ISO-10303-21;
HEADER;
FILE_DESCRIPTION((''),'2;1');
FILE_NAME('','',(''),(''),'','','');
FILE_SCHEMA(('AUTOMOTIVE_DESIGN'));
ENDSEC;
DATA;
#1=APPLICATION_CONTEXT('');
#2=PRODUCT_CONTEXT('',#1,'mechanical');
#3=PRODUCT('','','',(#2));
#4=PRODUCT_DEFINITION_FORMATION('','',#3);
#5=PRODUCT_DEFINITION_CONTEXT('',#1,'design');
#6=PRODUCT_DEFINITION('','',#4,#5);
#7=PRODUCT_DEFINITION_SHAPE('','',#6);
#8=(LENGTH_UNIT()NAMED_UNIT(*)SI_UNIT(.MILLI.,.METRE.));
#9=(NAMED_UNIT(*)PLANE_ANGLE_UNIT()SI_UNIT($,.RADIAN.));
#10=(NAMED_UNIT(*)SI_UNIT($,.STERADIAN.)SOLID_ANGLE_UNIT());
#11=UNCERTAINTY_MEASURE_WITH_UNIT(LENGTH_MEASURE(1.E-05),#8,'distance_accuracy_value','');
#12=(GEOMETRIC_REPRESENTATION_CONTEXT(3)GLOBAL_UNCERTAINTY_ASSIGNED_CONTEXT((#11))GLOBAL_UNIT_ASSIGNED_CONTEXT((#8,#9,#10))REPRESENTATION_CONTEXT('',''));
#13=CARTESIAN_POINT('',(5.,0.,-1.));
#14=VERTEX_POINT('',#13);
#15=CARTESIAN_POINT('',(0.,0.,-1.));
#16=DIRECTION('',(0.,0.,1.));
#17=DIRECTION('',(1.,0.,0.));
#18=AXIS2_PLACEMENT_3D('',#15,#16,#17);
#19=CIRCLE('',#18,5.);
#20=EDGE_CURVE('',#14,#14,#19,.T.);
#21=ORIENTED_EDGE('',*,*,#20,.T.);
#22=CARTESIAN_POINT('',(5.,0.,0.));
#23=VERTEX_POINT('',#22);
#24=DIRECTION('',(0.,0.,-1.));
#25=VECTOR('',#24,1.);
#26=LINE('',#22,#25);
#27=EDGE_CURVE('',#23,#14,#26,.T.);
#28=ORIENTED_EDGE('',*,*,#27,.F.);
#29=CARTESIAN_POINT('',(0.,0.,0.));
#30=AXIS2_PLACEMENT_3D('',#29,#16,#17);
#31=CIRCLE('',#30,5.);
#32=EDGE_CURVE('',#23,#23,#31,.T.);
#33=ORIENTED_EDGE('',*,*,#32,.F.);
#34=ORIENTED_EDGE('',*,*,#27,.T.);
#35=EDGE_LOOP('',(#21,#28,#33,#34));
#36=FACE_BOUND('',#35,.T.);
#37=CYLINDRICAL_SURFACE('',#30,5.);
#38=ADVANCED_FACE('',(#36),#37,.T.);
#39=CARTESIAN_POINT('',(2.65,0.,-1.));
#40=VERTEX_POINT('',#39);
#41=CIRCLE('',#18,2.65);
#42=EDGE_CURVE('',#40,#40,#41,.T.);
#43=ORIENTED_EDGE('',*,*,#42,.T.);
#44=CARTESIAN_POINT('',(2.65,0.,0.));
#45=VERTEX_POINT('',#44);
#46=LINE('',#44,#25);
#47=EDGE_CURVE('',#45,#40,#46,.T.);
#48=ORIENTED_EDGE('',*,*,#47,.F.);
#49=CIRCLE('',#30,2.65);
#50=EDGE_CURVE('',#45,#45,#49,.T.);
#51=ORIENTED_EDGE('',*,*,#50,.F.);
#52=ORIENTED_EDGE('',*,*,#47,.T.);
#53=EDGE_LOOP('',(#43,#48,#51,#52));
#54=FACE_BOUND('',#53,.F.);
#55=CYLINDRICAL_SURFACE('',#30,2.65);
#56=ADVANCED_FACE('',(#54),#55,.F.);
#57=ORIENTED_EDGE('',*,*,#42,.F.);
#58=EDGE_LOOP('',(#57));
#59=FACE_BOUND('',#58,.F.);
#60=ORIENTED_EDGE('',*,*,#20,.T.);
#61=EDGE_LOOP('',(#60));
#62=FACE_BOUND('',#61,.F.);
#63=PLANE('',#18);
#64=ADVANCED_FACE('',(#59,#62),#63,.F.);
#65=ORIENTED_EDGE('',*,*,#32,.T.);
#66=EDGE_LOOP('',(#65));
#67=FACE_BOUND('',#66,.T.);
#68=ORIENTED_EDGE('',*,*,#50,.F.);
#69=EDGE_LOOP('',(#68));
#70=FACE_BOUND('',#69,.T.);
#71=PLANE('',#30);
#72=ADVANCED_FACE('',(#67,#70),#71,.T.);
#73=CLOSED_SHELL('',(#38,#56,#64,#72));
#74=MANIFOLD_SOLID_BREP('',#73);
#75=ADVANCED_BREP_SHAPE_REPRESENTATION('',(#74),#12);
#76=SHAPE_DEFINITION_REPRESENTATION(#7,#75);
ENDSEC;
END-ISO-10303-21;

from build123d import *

# Parameters (mm, degrees)
SKETCH1_R      = 5
SKETCH1_R_2    = 2.65
EXTRUDE1_DEPTH = 1


with BuildPart() as part:
    # Sketch1 → Extrude1 (new body)
    with BuildSketch(Plane.XY):
        Circle(SKETCH1_R)
        Circle(SKETCH1_R_2, mode=Mode.SUBTRACT)
    extrude(amount=-EXTRUDE1_DEPTH)


solid = part.part
